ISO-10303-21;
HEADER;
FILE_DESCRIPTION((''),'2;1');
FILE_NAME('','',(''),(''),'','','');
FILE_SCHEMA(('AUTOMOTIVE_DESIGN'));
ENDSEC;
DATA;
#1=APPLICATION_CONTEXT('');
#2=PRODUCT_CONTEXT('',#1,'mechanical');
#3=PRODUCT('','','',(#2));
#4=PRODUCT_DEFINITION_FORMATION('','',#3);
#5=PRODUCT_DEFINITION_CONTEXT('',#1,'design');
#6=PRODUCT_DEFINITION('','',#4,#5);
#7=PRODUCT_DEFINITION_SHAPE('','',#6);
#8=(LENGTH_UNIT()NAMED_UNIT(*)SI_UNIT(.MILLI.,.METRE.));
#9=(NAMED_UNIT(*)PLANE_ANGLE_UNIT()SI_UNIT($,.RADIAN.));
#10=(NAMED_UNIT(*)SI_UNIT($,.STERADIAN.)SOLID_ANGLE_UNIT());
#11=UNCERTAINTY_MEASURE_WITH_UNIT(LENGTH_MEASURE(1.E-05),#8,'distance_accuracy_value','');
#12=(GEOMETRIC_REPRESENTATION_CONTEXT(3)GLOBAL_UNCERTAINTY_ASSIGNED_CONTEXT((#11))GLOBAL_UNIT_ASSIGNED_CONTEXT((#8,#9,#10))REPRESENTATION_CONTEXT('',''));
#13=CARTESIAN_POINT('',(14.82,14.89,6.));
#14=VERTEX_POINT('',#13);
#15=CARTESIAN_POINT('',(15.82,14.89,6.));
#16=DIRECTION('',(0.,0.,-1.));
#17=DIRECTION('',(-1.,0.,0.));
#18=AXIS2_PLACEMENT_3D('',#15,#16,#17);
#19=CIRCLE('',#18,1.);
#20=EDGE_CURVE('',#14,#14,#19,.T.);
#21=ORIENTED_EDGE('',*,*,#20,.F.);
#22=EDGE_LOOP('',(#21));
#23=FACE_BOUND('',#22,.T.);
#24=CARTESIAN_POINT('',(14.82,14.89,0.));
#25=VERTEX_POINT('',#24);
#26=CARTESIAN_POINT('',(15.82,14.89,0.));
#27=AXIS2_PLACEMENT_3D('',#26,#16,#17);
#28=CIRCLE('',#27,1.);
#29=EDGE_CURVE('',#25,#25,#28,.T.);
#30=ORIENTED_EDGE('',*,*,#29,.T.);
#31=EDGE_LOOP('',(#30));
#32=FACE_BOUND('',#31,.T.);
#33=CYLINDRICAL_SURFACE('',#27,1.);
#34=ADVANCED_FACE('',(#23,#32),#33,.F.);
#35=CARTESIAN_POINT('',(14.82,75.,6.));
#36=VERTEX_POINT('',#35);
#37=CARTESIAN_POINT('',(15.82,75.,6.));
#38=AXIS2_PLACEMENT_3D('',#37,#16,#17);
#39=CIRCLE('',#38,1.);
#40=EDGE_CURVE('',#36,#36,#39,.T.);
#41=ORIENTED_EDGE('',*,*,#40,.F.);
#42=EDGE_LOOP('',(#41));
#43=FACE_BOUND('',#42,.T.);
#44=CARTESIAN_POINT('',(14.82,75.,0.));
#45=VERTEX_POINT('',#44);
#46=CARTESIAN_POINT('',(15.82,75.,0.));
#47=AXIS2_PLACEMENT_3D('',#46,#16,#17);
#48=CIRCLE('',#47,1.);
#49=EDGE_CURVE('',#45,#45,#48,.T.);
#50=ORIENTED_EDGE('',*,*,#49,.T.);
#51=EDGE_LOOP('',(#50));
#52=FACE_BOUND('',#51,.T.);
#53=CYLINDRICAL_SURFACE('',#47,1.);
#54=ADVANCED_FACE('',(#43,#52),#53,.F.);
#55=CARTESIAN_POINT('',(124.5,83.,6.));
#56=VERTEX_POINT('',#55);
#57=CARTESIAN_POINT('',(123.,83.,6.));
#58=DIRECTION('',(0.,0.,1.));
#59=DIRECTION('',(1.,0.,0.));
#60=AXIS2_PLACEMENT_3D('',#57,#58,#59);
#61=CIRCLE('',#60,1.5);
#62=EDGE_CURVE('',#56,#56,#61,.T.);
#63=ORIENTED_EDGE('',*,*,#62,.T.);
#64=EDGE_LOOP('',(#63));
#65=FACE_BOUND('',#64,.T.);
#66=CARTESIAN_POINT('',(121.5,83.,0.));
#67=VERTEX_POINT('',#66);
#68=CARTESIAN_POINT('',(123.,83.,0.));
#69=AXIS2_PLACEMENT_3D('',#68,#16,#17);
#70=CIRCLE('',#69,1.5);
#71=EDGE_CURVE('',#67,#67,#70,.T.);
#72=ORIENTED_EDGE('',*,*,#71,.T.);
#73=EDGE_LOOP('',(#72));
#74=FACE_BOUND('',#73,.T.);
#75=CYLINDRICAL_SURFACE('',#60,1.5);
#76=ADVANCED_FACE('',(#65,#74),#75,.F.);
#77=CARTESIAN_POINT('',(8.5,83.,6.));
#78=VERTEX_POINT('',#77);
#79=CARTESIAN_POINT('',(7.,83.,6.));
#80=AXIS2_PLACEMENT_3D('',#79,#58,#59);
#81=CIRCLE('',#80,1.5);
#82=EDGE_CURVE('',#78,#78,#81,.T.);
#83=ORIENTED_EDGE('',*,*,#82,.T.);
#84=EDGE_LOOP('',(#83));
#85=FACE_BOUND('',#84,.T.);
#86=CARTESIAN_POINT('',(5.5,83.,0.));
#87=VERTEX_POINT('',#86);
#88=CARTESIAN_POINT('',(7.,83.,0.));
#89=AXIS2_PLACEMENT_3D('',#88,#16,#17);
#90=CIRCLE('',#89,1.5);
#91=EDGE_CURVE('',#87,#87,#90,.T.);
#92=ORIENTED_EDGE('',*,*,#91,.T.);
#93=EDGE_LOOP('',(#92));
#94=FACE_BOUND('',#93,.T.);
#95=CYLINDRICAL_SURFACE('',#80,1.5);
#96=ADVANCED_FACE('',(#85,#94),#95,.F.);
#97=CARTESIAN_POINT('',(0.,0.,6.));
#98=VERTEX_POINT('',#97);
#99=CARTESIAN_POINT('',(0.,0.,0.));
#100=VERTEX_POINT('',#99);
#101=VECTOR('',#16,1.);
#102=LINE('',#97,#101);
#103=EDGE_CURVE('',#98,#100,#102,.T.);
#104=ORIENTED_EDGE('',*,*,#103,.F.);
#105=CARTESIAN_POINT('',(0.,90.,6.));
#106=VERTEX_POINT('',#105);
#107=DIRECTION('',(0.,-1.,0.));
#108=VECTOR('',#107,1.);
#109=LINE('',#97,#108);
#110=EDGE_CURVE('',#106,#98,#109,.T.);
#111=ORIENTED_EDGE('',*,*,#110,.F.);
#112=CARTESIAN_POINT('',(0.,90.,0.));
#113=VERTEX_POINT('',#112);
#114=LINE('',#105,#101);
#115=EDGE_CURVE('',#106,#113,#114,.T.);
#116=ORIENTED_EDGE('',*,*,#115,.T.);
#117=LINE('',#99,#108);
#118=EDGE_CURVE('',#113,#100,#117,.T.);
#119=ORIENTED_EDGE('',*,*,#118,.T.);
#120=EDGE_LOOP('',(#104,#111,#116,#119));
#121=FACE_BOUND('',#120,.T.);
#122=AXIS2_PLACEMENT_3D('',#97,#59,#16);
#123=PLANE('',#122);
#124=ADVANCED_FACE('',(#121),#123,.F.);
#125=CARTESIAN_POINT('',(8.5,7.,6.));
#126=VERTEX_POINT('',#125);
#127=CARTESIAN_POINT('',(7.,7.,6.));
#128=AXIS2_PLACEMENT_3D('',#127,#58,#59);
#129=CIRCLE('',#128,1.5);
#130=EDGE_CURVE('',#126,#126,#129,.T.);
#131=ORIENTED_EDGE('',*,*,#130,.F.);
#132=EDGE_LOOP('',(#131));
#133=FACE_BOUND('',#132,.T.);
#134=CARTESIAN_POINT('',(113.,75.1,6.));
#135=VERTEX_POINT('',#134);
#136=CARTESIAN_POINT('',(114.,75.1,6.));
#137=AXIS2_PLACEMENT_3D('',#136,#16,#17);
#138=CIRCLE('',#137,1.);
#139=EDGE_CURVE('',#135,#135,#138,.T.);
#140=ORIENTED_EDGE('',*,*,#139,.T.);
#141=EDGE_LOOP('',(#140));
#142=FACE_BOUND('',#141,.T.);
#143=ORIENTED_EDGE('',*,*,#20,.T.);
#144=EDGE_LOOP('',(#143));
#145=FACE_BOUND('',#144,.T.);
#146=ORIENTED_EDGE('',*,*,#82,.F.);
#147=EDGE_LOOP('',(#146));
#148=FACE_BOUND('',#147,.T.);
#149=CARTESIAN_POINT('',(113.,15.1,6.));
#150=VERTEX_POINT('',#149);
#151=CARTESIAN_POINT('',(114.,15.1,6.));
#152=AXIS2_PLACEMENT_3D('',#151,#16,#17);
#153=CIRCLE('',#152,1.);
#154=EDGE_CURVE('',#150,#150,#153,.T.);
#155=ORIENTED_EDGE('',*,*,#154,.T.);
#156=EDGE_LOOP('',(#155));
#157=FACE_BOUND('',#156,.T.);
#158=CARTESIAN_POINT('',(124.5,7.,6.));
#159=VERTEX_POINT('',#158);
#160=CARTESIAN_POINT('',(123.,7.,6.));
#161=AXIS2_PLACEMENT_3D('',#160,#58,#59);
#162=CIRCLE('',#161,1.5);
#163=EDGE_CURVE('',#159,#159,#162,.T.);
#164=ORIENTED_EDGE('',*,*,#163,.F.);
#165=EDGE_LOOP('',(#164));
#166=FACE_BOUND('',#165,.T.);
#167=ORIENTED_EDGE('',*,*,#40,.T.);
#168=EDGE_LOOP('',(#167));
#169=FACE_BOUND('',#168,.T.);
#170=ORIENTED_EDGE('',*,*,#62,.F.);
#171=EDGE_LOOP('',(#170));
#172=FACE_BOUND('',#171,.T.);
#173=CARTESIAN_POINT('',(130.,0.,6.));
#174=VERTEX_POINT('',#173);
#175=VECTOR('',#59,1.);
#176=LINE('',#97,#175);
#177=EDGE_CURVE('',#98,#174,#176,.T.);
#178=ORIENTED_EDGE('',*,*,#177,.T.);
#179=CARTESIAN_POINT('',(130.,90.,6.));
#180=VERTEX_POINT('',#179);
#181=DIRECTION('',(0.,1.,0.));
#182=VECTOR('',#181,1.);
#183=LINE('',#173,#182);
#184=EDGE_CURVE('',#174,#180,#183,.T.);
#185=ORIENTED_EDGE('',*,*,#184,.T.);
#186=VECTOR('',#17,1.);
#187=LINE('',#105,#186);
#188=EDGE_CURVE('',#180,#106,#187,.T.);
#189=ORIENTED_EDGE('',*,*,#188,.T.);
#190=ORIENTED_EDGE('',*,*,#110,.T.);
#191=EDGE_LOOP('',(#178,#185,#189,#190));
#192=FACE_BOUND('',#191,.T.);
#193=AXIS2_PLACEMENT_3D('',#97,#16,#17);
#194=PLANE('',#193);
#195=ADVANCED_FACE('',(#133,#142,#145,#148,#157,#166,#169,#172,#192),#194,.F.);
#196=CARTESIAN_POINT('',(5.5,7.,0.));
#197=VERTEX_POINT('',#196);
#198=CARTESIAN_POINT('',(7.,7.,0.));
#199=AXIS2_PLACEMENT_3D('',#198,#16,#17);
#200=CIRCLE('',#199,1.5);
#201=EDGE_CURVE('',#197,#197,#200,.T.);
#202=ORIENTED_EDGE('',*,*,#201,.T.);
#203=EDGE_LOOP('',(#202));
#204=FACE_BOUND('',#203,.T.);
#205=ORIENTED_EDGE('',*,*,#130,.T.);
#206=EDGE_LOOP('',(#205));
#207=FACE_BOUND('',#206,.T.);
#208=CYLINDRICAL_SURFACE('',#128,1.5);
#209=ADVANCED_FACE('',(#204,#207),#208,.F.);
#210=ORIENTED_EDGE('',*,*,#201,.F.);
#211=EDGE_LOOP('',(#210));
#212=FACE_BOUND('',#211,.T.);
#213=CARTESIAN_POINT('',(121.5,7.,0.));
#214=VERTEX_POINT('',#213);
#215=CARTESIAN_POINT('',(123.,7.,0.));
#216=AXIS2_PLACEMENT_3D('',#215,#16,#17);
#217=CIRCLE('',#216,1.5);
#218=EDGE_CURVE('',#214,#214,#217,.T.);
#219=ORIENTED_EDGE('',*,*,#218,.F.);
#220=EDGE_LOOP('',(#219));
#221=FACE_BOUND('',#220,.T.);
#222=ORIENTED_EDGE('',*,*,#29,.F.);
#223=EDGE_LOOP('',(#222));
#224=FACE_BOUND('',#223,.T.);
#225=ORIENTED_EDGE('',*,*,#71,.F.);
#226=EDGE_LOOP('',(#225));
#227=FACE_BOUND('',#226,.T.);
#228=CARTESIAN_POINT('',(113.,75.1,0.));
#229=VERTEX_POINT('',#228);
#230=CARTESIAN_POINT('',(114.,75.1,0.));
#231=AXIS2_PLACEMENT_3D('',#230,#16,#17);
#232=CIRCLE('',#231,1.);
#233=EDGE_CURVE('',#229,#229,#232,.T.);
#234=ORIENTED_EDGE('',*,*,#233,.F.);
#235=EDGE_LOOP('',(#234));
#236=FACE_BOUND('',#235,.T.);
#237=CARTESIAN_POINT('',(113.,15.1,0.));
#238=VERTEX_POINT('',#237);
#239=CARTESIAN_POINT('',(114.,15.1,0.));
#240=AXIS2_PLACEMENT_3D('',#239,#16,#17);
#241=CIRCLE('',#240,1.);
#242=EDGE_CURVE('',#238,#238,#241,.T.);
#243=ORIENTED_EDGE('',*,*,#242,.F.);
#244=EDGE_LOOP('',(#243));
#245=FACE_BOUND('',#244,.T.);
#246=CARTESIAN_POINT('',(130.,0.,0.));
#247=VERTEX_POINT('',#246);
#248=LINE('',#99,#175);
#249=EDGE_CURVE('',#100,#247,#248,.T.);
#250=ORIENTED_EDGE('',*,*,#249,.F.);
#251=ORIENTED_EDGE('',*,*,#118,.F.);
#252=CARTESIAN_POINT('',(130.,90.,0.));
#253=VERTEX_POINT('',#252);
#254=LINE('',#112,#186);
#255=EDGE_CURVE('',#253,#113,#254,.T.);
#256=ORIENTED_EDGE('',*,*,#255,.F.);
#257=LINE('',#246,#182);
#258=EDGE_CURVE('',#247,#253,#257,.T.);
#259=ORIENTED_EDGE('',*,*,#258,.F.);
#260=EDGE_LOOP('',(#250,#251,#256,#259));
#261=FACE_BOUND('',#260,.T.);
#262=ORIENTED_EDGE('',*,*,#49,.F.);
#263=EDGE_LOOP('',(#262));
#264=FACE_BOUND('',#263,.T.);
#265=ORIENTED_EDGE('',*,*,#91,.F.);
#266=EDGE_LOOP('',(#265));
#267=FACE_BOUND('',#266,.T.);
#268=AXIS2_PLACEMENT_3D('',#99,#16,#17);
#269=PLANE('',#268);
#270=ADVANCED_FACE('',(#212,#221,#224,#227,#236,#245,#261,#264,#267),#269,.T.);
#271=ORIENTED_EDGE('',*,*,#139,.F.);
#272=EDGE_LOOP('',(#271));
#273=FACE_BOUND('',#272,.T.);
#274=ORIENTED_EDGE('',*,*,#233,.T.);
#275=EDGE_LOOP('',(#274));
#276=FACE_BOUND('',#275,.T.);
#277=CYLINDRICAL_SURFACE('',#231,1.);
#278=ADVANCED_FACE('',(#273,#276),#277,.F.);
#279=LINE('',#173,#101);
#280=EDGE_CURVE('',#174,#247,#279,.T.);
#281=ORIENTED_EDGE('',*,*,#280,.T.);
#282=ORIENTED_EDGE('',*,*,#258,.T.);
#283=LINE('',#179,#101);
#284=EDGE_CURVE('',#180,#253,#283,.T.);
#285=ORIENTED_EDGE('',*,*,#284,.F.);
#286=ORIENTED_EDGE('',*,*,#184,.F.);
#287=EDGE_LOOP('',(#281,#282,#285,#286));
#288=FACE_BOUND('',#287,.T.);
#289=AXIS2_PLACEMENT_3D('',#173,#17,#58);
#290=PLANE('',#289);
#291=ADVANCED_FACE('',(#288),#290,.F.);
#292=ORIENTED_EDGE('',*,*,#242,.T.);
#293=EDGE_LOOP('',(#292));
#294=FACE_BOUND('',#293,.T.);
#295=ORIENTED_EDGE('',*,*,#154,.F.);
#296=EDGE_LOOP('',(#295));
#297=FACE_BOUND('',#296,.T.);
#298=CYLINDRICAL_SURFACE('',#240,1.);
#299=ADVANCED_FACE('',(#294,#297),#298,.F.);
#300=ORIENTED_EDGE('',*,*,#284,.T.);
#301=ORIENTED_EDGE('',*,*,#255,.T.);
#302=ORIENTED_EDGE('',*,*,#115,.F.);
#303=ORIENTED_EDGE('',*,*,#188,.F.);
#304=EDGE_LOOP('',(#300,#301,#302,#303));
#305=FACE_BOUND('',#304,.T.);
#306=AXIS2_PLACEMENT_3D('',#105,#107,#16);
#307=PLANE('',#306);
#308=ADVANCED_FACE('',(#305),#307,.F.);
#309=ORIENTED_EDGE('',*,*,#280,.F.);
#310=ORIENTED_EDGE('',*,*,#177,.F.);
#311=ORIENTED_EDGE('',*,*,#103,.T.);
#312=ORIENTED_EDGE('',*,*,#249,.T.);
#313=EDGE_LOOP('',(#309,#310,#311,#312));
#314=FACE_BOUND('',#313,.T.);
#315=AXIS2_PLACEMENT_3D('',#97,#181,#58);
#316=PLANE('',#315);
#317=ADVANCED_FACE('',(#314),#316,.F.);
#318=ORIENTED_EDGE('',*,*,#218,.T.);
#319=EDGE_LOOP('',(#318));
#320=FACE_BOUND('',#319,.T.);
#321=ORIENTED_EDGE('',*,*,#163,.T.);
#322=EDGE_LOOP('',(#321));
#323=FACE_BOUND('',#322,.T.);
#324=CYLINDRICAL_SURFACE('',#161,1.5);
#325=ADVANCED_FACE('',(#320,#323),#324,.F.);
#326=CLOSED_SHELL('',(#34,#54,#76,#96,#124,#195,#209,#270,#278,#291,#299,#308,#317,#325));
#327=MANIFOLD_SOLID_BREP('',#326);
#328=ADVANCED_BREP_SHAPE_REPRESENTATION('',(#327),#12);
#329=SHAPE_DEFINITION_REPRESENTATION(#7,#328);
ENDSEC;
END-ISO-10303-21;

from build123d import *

# Parameters (mm, degrees)
SKETCH1_W             = 130
SKETCH1_H             = 90
BOSS_EXTRUDE1_DEPTH   = 6
F_3_0MM_DOWEL_HOLE1_D = 3
F_2_0MM_DOWEL_HOLE1_D = 2


with BuildPart() as part:
    # Sketch1 → Boss-Extrude1 (new body)
    with BuildSketch(Plane.XY):
        with Locations((65, 45)):
            Rectangle(SKETCH1_W, SKETCH1_H)
    extrude(amount=BOSS_EXTRUDE1_DEPTH)

    # Ø3.0mm Dowel Hole1 (through all)
    with Locations(Plane.XY.offset(6)):
        with Locations((123, 83), (123, 7), (7, 7), (7, 83)):
            Hole(F_3_0MM_DOWEL_HOLE1_D / 2)

    # Ø2.0mm Dowel Hole1 (through all)
    with Locations(Plane(origin=(0, 0, 0), x_dir=(-1, 0, 0), z_dir=(0, 0, -1))):
        with Locations((-114, 75.1), (-114, 15.1), (-15.82, 14.89), (-15.82, 75)):
            Hole(F_2_0MM_DOWEL_HOLE1_D / 2)


solid = part.part
